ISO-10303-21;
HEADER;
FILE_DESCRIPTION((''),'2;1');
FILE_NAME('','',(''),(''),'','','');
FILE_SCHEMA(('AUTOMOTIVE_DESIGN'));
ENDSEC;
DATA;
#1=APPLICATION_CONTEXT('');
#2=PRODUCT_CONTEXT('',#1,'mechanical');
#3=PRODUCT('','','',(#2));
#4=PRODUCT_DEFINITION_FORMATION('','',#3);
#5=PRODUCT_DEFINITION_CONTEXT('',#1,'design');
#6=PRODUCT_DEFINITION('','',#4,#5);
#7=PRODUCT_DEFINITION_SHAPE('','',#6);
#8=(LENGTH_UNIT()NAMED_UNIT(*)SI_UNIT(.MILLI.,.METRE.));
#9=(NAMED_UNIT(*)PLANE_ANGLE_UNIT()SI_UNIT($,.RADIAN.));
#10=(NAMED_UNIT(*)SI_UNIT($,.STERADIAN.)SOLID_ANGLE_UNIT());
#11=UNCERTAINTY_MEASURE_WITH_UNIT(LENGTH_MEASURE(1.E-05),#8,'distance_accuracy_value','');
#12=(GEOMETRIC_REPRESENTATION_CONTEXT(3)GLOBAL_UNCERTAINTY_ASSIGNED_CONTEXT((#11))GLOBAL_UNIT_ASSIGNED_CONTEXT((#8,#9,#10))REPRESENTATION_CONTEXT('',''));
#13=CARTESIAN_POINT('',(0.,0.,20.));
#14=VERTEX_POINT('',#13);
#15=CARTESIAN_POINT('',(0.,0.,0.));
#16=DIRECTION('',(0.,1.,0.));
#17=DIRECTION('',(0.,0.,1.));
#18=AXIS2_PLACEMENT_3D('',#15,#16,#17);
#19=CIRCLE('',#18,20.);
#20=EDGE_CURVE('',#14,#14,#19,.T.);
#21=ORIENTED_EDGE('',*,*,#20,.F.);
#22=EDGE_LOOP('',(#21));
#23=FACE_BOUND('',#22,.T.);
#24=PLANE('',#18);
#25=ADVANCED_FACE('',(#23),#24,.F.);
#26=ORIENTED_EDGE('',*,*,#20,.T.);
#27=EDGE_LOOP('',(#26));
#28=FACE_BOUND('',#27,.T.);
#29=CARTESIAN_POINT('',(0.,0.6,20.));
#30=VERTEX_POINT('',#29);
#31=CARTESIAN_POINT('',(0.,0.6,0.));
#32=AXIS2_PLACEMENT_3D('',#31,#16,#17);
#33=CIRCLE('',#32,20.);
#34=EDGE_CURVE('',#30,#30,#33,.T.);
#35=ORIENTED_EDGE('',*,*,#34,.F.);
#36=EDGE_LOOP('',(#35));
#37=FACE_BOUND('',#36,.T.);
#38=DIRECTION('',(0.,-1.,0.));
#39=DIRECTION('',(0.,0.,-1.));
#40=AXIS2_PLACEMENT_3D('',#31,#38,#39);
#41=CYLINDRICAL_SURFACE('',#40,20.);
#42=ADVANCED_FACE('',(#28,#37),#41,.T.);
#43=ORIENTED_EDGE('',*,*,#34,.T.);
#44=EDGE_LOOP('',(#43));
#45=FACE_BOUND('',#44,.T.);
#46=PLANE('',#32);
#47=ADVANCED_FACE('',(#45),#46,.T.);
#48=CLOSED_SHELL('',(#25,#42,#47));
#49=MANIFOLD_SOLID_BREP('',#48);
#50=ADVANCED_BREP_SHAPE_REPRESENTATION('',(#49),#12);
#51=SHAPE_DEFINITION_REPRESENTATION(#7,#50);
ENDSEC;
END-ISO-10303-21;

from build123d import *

# Parameters (mm, degrees)
SKETCH1_R = 20
PCB_DEPTH = 0.6


with BuildPart() as part:
    # Sketch1 → PCB (new body)
    with BuildSketch(Plane(origin=(0, 0, 0), x_dir=(1, 0, 0), z_dir=(0, 1, 0))):
        with Locations(Location((0, 0, 0), (0, 0, 270))):
            Circle(SKETCH1_R)
    extrude(amount=PCB_DEPTH)


solid = part.part
